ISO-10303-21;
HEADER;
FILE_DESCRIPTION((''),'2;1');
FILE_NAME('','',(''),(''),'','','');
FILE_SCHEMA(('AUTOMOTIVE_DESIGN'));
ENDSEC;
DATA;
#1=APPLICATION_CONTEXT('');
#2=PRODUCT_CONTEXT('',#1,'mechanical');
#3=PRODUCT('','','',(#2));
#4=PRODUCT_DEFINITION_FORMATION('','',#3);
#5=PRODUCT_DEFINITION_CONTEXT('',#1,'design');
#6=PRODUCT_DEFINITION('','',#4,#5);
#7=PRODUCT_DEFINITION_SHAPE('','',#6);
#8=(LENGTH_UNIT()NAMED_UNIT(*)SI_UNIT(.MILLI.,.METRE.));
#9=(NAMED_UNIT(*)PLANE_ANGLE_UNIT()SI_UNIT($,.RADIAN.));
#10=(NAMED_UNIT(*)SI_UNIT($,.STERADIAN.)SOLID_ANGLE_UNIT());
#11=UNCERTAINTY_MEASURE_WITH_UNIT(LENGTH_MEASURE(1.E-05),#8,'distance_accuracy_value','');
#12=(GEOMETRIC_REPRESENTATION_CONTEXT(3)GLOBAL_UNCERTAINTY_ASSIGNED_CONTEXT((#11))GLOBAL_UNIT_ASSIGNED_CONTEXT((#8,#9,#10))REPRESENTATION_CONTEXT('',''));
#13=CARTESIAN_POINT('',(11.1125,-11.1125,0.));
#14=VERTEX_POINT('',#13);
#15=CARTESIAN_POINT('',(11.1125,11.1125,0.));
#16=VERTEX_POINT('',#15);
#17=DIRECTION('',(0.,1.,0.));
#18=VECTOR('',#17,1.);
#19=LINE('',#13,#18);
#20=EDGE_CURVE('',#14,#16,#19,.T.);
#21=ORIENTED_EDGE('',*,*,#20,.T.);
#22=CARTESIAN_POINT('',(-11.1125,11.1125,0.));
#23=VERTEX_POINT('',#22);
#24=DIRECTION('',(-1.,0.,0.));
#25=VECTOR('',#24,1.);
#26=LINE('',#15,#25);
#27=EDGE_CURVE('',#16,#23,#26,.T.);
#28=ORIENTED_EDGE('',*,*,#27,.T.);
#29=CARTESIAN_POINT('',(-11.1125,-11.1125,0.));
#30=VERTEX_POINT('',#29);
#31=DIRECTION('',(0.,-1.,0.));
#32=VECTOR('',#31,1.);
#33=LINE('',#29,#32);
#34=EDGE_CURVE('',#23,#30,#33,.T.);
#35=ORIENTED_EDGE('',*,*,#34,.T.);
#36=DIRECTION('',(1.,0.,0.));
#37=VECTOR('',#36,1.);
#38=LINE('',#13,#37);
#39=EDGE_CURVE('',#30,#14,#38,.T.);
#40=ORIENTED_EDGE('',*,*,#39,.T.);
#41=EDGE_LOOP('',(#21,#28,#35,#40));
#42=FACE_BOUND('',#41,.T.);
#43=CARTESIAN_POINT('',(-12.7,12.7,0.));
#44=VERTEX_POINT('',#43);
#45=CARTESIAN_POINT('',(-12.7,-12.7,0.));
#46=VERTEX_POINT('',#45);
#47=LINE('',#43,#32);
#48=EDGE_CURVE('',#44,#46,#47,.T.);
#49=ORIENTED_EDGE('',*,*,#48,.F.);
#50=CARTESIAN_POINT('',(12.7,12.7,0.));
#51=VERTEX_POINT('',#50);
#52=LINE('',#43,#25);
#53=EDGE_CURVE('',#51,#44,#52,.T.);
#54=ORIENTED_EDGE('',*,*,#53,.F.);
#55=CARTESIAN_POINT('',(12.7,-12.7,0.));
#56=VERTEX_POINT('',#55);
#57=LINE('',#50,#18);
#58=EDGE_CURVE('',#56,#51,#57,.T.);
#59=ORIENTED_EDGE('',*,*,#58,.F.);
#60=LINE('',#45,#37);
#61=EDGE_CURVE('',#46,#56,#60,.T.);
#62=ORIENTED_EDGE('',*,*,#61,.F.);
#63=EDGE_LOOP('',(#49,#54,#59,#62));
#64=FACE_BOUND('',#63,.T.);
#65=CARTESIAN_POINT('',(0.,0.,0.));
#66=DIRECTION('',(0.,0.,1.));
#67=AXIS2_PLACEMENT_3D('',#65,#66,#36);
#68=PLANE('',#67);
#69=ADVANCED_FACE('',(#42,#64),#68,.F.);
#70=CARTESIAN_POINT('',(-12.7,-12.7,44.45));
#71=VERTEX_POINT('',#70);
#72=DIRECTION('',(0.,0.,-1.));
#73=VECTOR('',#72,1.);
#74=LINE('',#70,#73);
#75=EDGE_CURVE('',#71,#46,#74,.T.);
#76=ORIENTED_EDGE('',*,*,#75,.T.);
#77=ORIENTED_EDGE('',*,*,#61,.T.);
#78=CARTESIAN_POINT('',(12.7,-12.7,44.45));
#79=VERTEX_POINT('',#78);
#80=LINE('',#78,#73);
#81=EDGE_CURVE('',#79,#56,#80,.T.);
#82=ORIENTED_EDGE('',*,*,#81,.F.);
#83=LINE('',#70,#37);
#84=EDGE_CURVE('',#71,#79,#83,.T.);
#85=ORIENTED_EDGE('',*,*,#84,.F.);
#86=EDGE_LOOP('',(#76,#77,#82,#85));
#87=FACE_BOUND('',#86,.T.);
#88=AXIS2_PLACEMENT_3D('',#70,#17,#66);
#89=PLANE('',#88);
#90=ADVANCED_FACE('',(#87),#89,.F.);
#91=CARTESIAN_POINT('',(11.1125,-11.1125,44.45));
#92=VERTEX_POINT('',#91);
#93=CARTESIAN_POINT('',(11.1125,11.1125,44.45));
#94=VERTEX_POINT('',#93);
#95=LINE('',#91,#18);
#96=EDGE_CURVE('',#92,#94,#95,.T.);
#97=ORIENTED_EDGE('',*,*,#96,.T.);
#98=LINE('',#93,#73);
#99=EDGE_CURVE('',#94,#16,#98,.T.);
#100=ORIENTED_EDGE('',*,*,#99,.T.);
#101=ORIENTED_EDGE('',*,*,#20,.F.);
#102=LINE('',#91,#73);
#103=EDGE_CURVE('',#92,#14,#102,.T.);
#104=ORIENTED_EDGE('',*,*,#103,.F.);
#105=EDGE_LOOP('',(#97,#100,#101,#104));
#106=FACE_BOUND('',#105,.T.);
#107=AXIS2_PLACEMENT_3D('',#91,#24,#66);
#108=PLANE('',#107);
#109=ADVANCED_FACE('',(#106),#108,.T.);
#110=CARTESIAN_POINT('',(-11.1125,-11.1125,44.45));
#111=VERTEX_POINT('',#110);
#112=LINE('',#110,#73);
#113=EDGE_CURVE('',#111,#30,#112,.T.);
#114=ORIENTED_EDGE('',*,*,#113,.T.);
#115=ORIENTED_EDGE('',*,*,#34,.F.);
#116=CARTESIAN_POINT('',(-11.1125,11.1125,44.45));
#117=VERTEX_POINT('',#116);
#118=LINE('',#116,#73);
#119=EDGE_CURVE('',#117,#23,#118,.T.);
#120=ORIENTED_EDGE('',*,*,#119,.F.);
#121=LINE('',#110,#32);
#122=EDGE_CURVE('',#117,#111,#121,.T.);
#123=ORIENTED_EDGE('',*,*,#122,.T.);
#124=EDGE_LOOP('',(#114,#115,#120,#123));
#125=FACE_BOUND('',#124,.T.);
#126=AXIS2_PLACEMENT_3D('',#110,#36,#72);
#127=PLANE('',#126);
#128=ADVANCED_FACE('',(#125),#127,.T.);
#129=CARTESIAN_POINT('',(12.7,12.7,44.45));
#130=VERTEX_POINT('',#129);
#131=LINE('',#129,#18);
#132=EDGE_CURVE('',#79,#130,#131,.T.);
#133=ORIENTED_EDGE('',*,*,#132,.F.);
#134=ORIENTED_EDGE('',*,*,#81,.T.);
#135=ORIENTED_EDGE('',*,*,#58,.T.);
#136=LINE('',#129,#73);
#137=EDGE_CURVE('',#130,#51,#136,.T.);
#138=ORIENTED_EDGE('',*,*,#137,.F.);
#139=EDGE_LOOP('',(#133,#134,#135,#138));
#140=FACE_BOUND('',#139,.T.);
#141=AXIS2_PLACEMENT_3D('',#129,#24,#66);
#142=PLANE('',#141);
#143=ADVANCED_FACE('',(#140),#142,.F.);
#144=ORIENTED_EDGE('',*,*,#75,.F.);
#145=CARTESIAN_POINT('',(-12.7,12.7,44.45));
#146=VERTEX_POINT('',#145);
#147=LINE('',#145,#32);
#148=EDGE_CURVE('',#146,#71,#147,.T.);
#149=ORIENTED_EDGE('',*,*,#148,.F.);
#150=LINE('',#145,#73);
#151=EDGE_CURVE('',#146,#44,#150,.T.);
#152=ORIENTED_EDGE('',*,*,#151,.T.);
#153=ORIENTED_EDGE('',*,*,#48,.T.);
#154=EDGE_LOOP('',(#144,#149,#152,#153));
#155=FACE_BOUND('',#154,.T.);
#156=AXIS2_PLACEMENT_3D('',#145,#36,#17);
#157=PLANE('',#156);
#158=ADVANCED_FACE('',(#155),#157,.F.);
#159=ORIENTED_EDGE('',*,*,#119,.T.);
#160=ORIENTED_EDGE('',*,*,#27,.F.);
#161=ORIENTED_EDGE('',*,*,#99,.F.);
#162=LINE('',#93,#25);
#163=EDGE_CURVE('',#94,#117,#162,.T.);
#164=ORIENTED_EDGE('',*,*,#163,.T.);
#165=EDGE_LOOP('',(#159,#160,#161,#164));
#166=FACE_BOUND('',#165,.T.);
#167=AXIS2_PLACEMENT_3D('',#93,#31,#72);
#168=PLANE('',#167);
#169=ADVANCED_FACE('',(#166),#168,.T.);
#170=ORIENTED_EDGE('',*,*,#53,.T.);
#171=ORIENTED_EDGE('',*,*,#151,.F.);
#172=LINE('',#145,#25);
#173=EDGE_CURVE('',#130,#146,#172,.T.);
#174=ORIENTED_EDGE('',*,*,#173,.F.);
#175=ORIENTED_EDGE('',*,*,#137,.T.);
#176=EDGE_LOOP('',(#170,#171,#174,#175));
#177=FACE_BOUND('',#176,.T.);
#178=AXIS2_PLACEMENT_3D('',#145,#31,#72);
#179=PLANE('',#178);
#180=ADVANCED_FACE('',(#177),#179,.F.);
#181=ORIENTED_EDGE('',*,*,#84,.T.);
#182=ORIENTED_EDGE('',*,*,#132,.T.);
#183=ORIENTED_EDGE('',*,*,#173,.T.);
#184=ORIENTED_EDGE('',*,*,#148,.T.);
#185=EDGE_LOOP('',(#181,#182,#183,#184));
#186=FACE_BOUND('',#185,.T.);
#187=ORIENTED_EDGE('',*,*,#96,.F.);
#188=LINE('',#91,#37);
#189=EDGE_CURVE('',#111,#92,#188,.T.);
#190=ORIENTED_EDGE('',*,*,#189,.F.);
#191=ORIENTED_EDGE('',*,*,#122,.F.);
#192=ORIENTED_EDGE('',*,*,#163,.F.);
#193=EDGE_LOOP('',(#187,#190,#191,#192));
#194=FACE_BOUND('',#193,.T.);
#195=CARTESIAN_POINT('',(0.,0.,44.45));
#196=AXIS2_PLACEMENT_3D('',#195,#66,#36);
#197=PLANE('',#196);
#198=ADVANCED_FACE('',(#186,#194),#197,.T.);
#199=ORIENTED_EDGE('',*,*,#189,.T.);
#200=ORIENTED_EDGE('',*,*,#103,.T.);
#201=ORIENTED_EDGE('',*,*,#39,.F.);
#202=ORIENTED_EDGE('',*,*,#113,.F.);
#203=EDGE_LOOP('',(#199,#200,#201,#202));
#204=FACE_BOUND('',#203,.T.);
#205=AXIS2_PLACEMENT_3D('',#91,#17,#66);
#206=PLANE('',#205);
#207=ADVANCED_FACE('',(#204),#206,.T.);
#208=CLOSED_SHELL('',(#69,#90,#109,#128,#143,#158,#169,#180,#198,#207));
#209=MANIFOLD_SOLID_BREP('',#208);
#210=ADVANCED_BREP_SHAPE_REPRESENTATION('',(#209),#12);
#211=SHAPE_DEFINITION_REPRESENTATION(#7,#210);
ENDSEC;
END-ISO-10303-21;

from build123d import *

# Parameters (mm, degrees)
SKETCH1_W           = 25.4
SKETCH1_H           = 25.4
SKETCH1_W_2         = 22.225
SKETCH1_H_2         = 22.225
BOSS_EXTRUDE1_DEPTH = 44.45


with BuildPart() as part:
    # Sketch1 → Boss-Extrude1 (new body)
    with BuildSketch(Plane.XY):
        Rectangle(SKETCH1_W, SKETCH1_H)
        Rectangle(SKETCH1_W_2, SKETCH1_H_2, mode=Mode.SUBTRACT)
    extrude(amount=BOSS_EXTRUDE1_DEPTH)


solid = part.part
